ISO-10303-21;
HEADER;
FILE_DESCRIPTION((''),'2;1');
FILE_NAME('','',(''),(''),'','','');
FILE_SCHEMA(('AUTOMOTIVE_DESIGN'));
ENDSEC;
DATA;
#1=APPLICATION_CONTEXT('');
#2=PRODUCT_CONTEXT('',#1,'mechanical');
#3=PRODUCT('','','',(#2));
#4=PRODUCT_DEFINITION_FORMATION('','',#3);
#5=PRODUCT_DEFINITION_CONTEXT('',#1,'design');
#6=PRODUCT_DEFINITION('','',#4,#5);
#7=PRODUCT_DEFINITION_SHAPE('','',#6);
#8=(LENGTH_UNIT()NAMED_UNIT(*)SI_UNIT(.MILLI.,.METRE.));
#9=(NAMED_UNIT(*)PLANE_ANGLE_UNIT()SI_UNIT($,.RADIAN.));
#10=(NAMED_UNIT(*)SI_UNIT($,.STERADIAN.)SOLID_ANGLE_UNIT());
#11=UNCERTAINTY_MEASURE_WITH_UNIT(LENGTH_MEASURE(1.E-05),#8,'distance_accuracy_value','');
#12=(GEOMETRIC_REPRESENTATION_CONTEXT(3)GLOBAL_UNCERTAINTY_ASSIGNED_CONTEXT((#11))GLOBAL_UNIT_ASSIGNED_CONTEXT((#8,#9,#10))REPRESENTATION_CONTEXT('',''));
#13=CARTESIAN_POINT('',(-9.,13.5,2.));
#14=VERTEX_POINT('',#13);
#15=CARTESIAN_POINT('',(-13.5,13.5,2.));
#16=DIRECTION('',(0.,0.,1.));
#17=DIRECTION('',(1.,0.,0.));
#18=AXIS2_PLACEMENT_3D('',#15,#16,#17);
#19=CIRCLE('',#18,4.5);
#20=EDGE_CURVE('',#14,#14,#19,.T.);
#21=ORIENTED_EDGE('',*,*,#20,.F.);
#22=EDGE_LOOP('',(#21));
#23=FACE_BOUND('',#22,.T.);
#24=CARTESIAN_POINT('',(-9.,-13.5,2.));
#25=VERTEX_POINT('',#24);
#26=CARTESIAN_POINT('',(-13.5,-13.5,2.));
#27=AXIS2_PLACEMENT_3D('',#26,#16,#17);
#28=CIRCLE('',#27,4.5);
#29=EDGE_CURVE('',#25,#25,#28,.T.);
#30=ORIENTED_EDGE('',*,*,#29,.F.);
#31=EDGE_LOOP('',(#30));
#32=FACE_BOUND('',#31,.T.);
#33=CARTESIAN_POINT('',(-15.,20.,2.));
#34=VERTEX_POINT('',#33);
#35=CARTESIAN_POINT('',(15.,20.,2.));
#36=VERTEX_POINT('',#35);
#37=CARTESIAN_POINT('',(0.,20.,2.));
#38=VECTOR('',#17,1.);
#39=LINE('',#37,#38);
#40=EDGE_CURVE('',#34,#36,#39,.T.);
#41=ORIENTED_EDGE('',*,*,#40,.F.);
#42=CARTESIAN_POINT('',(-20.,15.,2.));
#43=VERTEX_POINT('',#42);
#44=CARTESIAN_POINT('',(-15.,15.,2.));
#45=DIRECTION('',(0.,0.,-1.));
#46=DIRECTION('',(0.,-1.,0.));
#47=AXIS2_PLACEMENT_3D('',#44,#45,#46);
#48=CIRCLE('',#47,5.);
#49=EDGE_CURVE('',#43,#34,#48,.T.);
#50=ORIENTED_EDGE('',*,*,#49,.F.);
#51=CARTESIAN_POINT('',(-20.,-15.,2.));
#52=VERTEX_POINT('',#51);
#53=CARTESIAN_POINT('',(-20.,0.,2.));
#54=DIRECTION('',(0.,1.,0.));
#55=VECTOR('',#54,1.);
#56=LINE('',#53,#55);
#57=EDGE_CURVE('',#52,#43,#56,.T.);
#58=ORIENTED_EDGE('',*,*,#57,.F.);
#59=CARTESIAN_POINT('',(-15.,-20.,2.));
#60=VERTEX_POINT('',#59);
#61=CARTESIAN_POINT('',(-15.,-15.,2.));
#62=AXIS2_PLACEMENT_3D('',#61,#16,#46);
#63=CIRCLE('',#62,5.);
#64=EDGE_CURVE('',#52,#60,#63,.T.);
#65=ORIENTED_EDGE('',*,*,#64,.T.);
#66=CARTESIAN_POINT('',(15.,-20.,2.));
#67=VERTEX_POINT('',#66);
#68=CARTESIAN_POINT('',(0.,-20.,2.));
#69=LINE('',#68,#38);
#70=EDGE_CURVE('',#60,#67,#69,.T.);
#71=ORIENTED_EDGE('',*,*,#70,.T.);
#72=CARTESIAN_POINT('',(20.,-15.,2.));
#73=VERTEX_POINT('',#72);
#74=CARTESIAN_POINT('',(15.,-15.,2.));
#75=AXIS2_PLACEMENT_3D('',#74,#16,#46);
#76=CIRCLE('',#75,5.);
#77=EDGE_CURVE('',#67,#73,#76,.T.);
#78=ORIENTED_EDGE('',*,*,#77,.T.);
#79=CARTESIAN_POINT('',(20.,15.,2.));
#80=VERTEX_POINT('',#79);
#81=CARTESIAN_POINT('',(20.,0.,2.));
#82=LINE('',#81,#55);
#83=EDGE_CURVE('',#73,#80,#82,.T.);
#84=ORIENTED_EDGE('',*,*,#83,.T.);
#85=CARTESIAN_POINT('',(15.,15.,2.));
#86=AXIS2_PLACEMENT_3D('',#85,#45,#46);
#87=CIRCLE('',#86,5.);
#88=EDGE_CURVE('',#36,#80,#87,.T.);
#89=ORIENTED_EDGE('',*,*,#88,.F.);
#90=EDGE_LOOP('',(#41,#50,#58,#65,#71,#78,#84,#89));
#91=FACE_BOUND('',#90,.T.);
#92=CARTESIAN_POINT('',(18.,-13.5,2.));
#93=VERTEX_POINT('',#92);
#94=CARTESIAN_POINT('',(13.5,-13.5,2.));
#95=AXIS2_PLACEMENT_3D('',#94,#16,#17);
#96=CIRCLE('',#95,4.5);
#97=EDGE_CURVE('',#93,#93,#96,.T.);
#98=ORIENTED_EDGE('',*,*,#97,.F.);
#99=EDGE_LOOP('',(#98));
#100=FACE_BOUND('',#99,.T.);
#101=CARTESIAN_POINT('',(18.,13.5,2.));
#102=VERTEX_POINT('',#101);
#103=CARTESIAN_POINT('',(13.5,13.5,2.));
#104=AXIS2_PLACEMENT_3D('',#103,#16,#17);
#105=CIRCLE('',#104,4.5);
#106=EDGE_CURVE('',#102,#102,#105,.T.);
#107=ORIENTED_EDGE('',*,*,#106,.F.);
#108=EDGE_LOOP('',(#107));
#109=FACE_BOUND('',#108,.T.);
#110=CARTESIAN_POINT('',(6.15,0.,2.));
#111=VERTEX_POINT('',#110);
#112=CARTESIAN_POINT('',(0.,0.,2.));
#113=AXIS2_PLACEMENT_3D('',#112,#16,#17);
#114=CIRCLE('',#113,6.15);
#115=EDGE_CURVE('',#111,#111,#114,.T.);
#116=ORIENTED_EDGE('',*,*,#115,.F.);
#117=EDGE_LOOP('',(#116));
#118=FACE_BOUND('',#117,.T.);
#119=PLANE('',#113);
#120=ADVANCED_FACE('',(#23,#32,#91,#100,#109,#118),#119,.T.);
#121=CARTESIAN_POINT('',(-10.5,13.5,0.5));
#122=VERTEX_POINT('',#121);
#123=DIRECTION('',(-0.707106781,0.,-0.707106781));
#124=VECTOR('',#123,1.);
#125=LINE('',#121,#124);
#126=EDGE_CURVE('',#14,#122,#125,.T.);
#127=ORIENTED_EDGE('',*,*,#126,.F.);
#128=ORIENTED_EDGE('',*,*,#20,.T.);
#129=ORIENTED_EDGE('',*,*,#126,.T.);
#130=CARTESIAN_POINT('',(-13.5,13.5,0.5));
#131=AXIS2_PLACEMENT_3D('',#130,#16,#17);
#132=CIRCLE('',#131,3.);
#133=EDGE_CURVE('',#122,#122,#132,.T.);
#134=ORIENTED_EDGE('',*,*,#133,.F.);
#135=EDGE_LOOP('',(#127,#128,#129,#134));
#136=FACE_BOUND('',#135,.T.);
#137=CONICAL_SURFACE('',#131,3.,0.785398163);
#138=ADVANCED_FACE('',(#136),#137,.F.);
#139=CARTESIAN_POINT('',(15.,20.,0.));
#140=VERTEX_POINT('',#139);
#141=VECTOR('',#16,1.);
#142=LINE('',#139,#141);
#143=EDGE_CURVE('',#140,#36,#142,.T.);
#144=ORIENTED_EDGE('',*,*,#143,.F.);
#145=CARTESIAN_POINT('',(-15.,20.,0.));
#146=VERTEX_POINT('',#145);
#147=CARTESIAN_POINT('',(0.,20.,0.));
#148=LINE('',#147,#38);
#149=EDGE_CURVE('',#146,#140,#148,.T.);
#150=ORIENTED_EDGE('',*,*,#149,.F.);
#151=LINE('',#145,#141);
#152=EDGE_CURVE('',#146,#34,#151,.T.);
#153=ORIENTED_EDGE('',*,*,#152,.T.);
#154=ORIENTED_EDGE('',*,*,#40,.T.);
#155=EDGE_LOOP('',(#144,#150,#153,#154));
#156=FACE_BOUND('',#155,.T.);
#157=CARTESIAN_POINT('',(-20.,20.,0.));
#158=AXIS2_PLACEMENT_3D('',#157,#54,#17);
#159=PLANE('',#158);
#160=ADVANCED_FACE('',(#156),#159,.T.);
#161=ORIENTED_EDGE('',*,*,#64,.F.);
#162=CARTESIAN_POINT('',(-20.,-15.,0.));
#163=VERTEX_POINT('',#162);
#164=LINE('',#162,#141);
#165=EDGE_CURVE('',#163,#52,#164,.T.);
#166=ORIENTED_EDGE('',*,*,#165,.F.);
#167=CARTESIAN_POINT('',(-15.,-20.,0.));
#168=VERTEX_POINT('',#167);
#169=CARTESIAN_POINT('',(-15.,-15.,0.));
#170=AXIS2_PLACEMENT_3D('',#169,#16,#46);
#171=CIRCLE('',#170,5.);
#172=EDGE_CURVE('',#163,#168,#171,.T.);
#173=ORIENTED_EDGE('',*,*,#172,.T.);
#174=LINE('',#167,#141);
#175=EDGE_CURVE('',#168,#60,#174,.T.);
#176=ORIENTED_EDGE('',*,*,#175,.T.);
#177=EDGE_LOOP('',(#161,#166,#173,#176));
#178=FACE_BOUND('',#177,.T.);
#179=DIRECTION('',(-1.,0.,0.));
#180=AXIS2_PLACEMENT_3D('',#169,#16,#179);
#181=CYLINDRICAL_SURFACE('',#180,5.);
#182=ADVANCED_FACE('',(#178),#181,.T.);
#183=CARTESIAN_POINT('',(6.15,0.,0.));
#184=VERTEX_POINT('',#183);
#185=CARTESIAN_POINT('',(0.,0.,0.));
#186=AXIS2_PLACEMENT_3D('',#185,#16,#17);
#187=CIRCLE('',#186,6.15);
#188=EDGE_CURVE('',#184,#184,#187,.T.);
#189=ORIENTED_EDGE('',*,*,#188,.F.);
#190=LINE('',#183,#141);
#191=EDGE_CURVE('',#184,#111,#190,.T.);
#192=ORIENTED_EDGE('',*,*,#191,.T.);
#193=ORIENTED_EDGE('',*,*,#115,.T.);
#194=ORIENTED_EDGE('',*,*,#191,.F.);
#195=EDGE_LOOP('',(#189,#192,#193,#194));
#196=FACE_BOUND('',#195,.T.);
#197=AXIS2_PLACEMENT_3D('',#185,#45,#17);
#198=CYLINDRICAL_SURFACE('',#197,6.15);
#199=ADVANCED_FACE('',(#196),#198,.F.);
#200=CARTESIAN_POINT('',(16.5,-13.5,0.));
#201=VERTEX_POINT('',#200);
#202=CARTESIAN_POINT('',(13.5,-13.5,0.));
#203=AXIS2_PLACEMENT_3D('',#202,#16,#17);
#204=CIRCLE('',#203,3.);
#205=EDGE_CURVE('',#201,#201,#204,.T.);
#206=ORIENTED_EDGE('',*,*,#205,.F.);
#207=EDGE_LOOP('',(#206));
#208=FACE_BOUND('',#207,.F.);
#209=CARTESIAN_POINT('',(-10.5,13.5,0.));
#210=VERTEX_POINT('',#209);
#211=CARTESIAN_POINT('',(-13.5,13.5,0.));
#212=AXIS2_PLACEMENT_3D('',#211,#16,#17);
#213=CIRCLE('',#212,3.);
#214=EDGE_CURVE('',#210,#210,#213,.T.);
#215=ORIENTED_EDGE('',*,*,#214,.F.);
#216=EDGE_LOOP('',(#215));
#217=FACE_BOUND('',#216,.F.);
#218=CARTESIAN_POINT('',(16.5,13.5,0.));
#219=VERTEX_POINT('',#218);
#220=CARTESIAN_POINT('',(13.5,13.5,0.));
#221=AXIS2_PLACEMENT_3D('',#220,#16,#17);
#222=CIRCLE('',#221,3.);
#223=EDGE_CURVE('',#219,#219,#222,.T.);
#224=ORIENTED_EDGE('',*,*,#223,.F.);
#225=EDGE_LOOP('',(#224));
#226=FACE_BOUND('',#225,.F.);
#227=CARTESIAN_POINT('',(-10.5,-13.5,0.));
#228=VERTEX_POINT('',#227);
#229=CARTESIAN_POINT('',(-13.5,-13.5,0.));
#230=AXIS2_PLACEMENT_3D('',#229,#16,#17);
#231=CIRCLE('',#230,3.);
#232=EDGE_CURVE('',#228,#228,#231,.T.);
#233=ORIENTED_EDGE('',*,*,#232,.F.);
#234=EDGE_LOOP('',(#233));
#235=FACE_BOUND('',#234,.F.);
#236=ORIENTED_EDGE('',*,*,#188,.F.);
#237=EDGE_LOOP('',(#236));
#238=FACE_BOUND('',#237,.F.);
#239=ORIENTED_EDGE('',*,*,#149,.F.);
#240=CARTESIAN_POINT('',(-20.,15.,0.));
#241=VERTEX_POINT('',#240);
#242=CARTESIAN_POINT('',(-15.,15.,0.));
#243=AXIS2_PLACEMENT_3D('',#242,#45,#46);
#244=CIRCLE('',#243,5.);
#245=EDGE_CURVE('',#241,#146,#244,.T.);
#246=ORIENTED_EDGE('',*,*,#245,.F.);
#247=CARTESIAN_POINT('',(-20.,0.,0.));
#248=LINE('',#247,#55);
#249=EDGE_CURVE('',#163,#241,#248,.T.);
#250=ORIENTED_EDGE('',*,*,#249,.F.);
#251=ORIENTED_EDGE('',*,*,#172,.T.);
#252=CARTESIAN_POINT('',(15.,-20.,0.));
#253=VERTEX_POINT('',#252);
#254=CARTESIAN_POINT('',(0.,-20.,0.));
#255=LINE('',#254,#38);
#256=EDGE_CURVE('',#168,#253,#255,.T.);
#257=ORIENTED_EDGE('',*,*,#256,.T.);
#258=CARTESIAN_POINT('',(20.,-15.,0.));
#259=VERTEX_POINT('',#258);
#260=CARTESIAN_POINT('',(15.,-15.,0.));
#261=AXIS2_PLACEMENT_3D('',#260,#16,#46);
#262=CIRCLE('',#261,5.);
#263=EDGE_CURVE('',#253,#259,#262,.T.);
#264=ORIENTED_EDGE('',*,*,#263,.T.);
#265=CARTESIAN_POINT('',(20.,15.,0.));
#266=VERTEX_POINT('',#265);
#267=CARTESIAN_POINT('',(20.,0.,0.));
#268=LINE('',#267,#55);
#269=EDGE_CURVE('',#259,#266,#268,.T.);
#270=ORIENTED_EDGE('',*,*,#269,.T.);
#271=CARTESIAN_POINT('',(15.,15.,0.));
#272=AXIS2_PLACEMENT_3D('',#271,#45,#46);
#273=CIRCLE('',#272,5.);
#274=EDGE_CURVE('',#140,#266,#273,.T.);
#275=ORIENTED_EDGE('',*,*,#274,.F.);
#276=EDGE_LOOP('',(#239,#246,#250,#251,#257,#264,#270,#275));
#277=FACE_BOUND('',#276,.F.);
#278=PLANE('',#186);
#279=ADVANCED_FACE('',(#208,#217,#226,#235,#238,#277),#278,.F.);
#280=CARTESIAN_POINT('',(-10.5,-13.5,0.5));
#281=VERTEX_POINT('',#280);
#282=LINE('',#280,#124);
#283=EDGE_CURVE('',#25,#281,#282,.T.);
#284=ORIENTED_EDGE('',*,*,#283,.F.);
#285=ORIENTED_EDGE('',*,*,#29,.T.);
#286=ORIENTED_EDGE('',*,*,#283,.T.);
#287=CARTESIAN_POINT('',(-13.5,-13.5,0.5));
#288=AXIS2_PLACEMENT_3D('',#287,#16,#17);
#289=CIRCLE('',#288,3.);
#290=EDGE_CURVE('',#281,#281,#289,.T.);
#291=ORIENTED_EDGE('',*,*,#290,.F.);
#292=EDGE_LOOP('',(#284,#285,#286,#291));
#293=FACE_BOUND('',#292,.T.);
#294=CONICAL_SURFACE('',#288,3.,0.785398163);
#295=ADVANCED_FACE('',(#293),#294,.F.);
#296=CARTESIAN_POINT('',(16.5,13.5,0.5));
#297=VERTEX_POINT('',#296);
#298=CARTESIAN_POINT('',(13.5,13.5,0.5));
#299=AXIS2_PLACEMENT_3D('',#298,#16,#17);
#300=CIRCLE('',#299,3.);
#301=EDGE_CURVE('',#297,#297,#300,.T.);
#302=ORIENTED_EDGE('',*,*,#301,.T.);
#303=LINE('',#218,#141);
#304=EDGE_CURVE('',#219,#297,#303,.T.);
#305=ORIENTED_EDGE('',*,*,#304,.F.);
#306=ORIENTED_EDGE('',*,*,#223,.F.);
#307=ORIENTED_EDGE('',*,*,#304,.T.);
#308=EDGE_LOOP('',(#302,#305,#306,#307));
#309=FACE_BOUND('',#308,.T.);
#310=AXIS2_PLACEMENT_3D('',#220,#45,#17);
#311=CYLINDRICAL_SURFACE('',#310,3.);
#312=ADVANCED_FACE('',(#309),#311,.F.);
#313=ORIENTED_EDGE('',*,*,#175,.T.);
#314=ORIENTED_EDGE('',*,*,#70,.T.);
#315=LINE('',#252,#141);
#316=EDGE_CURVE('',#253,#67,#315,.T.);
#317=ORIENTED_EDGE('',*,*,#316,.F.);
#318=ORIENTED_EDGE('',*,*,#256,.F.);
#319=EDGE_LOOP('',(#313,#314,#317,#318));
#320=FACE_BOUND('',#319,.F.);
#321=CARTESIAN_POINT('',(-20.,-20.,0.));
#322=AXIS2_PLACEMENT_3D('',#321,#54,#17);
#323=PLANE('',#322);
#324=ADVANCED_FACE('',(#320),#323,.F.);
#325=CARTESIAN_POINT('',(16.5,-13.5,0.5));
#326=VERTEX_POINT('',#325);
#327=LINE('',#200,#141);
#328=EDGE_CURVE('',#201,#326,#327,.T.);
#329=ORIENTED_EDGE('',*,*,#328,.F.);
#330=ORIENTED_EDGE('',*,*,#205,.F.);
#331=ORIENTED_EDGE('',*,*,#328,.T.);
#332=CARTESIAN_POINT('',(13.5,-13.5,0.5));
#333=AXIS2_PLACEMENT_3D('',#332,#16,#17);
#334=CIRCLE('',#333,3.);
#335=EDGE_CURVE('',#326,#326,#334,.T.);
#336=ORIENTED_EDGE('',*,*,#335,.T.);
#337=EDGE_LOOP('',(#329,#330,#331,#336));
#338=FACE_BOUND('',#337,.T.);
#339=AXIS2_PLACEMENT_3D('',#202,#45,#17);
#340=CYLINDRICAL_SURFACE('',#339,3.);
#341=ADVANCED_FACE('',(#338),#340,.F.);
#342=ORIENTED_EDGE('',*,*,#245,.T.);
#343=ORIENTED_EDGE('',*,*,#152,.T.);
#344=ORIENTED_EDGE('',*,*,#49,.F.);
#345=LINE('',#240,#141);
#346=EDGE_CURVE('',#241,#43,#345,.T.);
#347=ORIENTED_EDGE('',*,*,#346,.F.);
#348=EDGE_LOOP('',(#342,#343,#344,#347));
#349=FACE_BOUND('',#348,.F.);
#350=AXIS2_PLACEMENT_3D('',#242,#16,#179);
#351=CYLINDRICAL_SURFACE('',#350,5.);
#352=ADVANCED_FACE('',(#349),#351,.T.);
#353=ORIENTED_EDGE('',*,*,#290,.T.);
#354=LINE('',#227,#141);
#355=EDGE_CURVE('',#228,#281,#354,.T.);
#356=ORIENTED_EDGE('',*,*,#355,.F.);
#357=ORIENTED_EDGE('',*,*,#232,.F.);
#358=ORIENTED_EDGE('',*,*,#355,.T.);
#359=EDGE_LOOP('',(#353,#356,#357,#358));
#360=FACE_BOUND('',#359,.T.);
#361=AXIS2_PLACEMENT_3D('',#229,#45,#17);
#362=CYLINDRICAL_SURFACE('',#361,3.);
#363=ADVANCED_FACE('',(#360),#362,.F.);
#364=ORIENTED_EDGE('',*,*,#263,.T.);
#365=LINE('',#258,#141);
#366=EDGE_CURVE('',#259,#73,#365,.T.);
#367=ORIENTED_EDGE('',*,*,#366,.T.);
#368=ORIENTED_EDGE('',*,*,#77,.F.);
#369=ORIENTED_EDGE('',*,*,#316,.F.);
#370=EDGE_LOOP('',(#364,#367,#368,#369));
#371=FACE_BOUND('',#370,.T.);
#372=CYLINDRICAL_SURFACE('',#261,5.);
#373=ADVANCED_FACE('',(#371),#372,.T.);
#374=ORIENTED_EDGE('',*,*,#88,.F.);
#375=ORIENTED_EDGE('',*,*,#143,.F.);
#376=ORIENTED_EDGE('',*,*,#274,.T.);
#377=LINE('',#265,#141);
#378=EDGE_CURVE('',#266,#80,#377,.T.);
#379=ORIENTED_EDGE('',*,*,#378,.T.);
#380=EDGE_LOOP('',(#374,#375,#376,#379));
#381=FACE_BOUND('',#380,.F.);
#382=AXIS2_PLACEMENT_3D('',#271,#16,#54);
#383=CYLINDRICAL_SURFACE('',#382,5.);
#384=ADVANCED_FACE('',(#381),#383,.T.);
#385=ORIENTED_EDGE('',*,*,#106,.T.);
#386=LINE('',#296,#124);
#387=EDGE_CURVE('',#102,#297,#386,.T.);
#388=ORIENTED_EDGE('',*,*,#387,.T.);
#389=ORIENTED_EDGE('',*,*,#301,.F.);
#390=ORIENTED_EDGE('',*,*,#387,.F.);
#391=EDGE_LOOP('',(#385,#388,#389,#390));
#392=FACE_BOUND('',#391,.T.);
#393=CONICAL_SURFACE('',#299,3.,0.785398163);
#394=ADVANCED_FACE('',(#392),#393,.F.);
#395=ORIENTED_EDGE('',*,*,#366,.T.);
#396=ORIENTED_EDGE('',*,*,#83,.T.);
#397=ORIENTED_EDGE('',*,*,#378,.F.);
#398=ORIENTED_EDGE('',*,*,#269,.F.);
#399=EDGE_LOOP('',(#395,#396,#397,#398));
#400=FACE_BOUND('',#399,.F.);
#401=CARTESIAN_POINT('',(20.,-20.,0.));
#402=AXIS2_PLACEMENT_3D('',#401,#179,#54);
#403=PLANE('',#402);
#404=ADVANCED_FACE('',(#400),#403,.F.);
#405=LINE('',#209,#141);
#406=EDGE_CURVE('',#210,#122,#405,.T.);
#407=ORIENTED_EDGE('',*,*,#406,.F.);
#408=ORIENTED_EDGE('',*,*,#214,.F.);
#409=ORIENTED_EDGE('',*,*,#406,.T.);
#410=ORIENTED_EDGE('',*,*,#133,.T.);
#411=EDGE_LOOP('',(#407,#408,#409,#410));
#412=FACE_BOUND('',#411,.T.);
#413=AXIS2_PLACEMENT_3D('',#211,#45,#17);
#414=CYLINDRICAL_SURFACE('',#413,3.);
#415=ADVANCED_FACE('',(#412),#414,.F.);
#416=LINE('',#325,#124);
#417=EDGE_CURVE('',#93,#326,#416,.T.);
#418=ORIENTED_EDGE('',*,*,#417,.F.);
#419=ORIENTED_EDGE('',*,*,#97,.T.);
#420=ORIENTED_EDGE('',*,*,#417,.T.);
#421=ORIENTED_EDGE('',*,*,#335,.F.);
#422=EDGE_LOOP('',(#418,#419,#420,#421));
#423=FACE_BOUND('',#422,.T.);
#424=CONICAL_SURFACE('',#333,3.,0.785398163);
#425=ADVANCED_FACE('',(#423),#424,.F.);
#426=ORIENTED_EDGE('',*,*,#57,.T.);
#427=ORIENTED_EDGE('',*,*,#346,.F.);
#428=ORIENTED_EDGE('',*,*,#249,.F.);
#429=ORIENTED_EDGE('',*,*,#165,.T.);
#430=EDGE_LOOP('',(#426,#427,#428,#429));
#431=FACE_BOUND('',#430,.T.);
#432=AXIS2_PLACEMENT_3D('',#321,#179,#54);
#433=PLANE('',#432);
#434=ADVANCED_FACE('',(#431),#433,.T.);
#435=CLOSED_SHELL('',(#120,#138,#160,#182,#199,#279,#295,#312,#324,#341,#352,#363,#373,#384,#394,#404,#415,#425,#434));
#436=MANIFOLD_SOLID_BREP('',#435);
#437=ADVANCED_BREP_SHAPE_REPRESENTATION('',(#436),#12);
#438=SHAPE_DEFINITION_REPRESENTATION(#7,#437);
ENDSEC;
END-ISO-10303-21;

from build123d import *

# Parameters (mm, degrees)
F0_W     = 40
F0_H     = 40
F0_R     = 3
F0_R_2   = 11.2
F0_R_3   = 6.15
F1_DEPTH = 2
F2_R     = 5
F3_SIZE  = 1.5


with BuildPart() as f1:
    # F0 (on Top) → F1 (new body)
    with BuildSketch(Plane.XY):
        Rectangle(F0_W, F0_H)
        with Locations((-13.5, -13.5)):
            Circle(F0_R, mode=Mode.SUBTRACT)
        with Locations((13.5, -13.5)):
            Circle(F0_R, mode=Mode.SUBTRACT)
        with Locations((-13.5, 13.5)):
            Circle(F0_R, mode=Mode.SUBTRACT)
        Circle(F0_R_2, mode=Mode.SUBTRACT)
        with Locations((13.5, 13.5)):
            Circle(F0_R, mode=Mode.SUBTRACT)
        Circle(F0_R_2)
        Circle(F0_R_3, mode=Mode.SUBTRACT)
    extrude(amount=F1_DEPTH)

    # F2
    f2_edges = [f1.edges().sort_by_distance(p)[0] for p in [
        (-20, -20, 1),
        (20, -20, 1),
        (20, 20, 1),
        (-20, 20, 1),
    ]]
    fillet(f2_edges, radius=F2_R)

    # F3
    f3_edges = [f1.edges().sort_by_distance(p)[0] for p in [
        (-16.5, 13.5, 2),
        (-16.5, -13.5, 2),
        (10.5, 13.5, 2),
        (10.5, -13.5, 2),
    ]]
    chamfer(f3_edges, length=F3_SIZE)


solid = f1.part
